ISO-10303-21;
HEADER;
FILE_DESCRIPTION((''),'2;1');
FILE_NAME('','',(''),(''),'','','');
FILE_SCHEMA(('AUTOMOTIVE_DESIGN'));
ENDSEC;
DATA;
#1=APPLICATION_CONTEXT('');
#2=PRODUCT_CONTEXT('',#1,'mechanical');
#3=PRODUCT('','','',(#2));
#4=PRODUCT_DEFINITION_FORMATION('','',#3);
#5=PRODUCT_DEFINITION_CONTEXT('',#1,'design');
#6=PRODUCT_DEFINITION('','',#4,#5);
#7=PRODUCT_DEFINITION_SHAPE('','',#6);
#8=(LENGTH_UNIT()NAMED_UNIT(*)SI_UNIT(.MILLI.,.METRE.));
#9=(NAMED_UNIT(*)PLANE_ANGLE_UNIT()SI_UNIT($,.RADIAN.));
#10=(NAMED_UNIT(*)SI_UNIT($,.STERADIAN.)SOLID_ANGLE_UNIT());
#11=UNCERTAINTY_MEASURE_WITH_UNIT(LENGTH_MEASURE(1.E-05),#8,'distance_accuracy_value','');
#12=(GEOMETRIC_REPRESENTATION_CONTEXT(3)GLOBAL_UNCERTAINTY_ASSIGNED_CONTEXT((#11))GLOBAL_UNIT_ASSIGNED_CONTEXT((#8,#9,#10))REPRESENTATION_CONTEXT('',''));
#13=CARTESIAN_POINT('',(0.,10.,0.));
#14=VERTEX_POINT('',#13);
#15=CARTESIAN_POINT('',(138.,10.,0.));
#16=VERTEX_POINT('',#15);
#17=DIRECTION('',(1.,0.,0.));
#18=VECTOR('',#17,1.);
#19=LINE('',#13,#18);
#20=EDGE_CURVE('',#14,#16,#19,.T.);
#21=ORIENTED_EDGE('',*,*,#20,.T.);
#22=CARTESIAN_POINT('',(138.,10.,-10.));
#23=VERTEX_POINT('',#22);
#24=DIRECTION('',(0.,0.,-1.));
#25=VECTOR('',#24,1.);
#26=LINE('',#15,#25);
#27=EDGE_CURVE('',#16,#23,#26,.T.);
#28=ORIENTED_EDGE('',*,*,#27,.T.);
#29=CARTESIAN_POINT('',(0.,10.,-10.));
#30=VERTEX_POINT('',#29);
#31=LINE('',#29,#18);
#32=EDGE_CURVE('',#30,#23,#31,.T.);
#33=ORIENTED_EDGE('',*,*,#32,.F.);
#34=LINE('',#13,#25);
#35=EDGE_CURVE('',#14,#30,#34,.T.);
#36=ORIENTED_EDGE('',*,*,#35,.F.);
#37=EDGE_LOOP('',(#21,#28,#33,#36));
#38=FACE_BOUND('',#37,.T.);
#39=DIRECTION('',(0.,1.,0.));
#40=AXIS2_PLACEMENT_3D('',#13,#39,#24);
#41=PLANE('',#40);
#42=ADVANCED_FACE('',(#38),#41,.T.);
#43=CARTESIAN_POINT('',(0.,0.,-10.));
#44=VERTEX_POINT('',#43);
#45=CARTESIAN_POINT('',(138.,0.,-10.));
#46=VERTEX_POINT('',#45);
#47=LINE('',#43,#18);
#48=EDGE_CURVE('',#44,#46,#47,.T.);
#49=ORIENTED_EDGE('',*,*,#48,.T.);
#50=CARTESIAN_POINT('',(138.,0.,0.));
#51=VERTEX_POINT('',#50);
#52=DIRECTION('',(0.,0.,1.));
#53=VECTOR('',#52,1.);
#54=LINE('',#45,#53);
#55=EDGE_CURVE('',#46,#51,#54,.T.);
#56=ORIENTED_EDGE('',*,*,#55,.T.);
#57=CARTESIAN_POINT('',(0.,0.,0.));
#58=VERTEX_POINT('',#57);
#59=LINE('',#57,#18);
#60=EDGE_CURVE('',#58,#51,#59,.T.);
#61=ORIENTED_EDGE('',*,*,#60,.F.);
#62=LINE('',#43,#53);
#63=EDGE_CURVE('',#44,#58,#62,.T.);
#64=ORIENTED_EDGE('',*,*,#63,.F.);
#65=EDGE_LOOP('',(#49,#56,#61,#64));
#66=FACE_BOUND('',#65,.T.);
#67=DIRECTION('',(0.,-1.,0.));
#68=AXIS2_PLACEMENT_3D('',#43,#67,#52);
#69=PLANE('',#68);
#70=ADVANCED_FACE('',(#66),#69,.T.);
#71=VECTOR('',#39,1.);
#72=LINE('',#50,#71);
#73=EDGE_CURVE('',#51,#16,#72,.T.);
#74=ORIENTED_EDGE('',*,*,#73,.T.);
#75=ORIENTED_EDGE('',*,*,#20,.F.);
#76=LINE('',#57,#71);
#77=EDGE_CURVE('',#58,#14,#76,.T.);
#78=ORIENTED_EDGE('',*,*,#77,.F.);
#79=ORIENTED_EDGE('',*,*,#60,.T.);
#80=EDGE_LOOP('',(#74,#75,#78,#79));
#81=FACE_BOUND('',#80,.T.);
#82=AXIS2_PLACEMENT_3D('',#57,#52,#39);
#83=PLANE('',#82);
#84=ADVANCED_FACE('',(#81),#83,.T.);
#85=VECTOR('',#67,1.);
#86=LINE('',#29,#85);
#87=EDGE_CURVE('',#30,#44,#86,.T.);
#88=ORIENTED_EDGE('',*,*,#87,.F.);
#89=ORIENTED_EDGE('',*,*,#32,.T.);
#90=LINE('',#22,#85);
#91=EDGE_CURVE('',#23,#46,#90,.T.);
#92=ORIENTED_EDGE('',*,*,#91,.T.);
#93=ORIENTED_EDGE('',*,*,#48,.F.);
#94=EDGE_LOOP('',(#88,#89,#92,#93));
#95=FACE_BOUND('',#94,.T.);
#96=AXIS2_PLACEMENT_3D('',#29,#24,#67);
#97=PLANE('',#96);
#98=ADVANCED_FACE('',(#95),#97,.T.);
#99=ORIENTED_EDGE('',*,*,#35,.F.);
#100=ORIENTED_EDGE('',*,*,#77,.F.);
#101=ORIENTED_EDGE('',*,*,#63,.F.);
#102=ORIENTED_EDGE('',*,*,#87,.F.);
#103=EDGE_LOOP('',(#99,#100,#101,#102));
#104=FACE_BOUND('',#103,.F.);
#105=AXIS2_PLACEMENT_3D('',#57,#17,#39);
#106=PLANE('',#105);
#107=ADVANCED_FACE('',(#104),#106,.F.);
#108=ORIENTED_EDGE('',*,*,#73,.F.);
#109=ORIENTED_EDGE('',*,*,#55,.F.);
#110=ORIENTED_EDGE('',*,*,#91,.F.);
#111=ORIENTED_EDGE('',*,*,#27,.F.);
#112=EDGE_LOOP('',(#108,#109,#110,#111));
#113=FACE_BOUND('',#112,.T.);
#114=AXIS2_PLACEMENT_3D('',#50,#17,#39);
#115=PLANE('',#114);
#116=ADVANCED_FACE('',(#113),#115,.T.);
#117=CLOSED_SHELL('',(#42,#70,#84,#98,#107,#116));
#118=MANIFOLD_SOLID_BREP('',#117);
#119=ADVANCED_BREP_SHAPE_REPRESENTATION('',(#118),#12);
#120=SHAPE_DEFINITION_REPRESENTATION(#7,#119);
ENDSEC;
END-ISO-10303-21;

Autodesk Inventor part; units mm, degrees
ref_plane "YZ Plane" through (0, 0, 0) normal (1, 0, 0) x (0, 1, 0)
ref_plane "XZ Plane" through (0, 0, 0) normal (0, 1, 0) x (-1, 0, 0)
ref_plane "XY Plane" through (0, 0, 0) normal (0, 0, 1) x (1, 0, 0)
sketch "Sketch1" plane through (0, 0, 0) normal (1, 0, 0) x (0, 1, 0)
  line L0 (0, 0) -> (10, 0)
  line L1 (10, 0) -> (10, -10)
  line L2 (10, -10) -> (0, -10)
  line L3 (0, -10) -> (0, 0)
  dimension "d0" = 10
  dimension "d1" = 10
extrude "Extrusion1" add sketch "Sketch1" along normal blind 138
properties part number "barra muñeca"
